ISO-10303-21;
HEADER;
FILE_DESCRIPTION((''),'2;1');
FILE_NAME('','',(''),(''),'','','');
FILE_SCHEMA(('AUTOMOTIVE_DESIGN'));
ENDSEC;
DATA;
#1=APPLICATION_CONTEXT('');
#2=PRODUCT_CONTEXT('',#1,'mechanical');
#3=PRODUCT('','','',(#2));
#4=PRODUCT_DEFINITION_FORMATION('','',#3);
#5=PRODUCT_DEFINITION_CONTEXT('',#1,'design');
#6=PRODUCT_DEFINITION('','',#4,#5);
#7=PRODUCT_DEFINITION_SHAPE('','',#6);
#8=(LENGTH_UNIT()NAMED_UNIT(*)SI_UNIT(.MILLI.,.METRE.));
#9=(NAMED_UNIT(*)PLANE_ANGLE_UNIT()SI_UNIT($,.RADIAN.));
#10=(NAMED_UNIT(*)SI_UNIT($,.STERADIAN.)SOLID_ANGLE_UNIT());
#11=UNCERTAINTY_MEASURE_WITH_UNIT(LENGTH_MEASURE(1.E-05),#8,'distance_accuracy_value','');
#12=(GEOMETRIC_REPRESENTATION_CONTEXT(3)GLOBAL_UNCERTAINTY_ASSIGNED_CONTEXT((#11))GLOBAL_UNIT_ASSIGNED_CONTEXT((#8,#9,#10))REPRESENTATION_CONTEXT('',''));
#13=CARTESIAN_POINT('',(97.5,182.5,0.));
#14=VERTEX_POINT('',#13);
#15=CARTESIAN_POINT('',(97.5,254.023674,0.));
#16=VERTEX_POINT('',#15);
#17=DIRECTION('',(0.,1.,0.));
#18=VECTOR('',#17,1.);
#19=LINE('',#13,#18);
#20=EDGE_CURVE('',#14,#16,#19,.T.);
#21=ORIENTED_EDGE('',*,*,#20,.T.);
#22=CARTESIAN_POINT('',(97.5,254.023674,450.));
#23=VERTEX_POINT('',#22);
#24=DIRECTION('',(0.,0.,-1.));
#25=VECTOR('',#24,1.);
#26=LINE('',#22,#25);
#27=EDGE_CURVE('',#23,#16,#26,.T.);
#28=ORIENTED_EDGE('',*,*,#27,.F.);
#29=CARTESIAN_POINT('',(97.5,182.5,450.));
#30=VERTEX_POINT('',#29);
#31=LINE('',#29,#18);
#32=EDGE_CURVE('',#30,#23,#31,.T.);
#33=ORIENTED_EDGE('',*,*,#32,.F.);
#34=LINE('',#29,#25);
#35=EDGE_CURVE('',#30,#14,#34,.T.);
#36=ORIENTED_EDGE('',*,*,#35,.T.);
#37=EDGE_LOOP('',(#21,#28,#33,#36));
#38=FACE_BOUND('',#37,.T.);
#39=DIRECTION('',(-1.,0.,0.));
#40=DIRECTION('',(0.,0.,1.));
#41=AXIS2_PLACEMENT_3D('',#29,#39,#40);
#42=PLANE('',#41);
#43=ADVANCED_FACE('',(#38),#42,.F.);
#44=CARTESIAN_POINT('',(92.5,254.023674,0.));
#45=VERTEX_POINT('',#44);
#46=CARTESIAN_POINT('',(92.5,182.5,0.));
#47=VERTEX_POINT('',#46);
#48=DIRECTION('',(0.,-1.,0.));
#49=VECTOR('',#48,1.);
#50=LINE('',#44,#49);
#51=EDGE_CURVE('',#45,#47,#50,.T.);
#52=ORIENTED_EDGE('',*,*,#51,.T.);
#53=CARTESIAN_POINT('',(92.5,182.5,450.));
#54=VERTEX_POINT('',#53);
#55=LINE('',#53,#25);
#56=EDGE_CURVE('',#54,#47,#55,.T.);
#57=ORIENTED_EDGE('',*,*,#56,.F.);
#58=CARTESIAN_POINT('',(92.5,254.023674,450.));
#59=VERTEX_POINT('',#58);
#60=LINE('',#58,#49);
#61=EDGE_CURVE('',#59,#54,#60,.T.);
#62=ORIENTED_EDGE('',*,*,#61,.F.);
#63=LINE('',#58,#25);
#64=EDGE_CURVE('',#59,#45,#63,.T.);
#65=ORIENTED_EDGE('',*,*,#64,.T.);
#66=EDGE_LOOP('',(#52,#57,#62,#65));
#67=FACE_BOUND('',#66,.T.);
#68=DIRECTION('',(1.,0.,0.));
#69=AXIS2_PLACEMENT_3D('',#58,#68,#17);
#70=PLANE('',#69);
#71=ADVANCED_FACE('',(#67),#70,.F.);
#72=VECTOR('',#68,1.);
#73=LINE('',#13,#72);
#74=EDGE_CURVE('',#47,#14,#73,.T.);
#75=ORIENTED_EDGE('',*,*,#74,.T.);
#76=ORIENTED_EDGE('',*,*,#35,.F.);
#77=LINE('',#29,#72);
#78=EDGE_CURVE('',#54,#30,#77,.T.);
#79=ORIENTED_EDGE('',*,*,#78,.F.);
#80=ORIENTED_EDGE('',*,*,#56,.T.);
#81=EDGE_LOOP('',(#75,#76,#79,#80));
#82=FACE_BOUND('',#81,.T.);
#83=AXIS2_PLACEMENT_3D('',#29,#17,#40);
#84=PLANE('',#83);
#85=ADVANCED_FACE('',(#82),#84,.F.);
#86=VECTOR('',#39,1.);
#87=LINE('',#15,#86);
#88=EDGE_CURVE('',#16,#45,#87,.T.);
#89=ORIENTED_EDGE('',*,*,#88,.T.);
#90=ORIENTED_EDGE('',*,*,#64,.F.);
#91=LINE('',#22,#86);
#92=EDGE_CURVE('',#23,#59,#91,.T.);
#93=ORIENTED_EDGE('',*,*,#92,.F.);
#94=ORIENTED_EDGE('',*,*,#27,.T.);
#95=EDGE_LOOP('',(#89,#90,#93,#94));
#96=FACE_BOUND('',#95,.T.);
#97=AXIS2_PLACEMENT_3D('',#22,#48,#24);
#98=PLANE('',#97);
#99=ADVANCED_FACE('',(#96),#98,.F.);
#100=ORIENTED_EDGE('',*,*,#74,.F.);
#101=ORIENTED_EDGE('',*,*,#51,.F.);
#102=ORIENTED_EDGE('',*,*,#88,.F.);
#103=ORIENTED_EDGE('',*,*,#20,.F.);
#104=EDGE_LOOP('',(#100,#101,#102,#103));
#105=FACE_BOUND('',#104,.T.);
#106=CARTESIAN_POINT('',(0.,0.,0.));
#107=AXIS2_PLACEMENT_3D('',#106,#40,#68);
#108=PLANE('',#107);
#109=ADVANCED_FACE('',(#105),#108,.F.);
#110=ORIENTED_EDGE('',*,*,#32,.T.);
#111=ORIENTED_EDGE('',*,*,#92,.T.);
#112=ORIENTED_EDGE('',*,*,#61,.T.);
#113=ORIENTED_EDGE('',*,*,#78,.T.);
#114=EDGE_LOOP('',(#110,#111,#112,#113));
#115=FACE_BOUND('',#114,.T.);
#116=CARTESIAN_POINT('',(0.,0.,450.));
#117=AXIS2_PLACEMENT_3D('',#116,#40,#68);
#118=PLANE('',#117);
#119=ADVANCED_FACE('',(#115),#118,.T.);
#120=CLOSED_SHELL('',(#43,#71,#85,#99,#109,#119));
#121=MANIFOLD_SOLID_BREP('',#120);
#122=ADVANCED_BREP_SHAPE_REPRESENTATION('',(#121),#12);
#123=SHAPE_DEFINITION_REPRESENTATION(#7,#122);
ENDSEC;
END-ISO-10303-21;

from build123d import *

# Parameters (mm, degrees)
SKIZZE1_W                       = 5
SKIZZE1_H                       = 71.52367356
AUFSATZ_LINEAR_AUSTRAGEN1_DEPTH = 450


with BuildPart() as part:
    # Skizze1 → Aufsatz-Linear austragen1 (new body)
    with BuildSketch(Plane.XY):
        with Locations((95, 218.26183678)):
            Rectangle(SKIZZE1_W, SKIZZE1_H)
    extrude(amount=AUFSATZ_LINEAR_AUSTRAGEN1_DEPTH)


solid = part.part
